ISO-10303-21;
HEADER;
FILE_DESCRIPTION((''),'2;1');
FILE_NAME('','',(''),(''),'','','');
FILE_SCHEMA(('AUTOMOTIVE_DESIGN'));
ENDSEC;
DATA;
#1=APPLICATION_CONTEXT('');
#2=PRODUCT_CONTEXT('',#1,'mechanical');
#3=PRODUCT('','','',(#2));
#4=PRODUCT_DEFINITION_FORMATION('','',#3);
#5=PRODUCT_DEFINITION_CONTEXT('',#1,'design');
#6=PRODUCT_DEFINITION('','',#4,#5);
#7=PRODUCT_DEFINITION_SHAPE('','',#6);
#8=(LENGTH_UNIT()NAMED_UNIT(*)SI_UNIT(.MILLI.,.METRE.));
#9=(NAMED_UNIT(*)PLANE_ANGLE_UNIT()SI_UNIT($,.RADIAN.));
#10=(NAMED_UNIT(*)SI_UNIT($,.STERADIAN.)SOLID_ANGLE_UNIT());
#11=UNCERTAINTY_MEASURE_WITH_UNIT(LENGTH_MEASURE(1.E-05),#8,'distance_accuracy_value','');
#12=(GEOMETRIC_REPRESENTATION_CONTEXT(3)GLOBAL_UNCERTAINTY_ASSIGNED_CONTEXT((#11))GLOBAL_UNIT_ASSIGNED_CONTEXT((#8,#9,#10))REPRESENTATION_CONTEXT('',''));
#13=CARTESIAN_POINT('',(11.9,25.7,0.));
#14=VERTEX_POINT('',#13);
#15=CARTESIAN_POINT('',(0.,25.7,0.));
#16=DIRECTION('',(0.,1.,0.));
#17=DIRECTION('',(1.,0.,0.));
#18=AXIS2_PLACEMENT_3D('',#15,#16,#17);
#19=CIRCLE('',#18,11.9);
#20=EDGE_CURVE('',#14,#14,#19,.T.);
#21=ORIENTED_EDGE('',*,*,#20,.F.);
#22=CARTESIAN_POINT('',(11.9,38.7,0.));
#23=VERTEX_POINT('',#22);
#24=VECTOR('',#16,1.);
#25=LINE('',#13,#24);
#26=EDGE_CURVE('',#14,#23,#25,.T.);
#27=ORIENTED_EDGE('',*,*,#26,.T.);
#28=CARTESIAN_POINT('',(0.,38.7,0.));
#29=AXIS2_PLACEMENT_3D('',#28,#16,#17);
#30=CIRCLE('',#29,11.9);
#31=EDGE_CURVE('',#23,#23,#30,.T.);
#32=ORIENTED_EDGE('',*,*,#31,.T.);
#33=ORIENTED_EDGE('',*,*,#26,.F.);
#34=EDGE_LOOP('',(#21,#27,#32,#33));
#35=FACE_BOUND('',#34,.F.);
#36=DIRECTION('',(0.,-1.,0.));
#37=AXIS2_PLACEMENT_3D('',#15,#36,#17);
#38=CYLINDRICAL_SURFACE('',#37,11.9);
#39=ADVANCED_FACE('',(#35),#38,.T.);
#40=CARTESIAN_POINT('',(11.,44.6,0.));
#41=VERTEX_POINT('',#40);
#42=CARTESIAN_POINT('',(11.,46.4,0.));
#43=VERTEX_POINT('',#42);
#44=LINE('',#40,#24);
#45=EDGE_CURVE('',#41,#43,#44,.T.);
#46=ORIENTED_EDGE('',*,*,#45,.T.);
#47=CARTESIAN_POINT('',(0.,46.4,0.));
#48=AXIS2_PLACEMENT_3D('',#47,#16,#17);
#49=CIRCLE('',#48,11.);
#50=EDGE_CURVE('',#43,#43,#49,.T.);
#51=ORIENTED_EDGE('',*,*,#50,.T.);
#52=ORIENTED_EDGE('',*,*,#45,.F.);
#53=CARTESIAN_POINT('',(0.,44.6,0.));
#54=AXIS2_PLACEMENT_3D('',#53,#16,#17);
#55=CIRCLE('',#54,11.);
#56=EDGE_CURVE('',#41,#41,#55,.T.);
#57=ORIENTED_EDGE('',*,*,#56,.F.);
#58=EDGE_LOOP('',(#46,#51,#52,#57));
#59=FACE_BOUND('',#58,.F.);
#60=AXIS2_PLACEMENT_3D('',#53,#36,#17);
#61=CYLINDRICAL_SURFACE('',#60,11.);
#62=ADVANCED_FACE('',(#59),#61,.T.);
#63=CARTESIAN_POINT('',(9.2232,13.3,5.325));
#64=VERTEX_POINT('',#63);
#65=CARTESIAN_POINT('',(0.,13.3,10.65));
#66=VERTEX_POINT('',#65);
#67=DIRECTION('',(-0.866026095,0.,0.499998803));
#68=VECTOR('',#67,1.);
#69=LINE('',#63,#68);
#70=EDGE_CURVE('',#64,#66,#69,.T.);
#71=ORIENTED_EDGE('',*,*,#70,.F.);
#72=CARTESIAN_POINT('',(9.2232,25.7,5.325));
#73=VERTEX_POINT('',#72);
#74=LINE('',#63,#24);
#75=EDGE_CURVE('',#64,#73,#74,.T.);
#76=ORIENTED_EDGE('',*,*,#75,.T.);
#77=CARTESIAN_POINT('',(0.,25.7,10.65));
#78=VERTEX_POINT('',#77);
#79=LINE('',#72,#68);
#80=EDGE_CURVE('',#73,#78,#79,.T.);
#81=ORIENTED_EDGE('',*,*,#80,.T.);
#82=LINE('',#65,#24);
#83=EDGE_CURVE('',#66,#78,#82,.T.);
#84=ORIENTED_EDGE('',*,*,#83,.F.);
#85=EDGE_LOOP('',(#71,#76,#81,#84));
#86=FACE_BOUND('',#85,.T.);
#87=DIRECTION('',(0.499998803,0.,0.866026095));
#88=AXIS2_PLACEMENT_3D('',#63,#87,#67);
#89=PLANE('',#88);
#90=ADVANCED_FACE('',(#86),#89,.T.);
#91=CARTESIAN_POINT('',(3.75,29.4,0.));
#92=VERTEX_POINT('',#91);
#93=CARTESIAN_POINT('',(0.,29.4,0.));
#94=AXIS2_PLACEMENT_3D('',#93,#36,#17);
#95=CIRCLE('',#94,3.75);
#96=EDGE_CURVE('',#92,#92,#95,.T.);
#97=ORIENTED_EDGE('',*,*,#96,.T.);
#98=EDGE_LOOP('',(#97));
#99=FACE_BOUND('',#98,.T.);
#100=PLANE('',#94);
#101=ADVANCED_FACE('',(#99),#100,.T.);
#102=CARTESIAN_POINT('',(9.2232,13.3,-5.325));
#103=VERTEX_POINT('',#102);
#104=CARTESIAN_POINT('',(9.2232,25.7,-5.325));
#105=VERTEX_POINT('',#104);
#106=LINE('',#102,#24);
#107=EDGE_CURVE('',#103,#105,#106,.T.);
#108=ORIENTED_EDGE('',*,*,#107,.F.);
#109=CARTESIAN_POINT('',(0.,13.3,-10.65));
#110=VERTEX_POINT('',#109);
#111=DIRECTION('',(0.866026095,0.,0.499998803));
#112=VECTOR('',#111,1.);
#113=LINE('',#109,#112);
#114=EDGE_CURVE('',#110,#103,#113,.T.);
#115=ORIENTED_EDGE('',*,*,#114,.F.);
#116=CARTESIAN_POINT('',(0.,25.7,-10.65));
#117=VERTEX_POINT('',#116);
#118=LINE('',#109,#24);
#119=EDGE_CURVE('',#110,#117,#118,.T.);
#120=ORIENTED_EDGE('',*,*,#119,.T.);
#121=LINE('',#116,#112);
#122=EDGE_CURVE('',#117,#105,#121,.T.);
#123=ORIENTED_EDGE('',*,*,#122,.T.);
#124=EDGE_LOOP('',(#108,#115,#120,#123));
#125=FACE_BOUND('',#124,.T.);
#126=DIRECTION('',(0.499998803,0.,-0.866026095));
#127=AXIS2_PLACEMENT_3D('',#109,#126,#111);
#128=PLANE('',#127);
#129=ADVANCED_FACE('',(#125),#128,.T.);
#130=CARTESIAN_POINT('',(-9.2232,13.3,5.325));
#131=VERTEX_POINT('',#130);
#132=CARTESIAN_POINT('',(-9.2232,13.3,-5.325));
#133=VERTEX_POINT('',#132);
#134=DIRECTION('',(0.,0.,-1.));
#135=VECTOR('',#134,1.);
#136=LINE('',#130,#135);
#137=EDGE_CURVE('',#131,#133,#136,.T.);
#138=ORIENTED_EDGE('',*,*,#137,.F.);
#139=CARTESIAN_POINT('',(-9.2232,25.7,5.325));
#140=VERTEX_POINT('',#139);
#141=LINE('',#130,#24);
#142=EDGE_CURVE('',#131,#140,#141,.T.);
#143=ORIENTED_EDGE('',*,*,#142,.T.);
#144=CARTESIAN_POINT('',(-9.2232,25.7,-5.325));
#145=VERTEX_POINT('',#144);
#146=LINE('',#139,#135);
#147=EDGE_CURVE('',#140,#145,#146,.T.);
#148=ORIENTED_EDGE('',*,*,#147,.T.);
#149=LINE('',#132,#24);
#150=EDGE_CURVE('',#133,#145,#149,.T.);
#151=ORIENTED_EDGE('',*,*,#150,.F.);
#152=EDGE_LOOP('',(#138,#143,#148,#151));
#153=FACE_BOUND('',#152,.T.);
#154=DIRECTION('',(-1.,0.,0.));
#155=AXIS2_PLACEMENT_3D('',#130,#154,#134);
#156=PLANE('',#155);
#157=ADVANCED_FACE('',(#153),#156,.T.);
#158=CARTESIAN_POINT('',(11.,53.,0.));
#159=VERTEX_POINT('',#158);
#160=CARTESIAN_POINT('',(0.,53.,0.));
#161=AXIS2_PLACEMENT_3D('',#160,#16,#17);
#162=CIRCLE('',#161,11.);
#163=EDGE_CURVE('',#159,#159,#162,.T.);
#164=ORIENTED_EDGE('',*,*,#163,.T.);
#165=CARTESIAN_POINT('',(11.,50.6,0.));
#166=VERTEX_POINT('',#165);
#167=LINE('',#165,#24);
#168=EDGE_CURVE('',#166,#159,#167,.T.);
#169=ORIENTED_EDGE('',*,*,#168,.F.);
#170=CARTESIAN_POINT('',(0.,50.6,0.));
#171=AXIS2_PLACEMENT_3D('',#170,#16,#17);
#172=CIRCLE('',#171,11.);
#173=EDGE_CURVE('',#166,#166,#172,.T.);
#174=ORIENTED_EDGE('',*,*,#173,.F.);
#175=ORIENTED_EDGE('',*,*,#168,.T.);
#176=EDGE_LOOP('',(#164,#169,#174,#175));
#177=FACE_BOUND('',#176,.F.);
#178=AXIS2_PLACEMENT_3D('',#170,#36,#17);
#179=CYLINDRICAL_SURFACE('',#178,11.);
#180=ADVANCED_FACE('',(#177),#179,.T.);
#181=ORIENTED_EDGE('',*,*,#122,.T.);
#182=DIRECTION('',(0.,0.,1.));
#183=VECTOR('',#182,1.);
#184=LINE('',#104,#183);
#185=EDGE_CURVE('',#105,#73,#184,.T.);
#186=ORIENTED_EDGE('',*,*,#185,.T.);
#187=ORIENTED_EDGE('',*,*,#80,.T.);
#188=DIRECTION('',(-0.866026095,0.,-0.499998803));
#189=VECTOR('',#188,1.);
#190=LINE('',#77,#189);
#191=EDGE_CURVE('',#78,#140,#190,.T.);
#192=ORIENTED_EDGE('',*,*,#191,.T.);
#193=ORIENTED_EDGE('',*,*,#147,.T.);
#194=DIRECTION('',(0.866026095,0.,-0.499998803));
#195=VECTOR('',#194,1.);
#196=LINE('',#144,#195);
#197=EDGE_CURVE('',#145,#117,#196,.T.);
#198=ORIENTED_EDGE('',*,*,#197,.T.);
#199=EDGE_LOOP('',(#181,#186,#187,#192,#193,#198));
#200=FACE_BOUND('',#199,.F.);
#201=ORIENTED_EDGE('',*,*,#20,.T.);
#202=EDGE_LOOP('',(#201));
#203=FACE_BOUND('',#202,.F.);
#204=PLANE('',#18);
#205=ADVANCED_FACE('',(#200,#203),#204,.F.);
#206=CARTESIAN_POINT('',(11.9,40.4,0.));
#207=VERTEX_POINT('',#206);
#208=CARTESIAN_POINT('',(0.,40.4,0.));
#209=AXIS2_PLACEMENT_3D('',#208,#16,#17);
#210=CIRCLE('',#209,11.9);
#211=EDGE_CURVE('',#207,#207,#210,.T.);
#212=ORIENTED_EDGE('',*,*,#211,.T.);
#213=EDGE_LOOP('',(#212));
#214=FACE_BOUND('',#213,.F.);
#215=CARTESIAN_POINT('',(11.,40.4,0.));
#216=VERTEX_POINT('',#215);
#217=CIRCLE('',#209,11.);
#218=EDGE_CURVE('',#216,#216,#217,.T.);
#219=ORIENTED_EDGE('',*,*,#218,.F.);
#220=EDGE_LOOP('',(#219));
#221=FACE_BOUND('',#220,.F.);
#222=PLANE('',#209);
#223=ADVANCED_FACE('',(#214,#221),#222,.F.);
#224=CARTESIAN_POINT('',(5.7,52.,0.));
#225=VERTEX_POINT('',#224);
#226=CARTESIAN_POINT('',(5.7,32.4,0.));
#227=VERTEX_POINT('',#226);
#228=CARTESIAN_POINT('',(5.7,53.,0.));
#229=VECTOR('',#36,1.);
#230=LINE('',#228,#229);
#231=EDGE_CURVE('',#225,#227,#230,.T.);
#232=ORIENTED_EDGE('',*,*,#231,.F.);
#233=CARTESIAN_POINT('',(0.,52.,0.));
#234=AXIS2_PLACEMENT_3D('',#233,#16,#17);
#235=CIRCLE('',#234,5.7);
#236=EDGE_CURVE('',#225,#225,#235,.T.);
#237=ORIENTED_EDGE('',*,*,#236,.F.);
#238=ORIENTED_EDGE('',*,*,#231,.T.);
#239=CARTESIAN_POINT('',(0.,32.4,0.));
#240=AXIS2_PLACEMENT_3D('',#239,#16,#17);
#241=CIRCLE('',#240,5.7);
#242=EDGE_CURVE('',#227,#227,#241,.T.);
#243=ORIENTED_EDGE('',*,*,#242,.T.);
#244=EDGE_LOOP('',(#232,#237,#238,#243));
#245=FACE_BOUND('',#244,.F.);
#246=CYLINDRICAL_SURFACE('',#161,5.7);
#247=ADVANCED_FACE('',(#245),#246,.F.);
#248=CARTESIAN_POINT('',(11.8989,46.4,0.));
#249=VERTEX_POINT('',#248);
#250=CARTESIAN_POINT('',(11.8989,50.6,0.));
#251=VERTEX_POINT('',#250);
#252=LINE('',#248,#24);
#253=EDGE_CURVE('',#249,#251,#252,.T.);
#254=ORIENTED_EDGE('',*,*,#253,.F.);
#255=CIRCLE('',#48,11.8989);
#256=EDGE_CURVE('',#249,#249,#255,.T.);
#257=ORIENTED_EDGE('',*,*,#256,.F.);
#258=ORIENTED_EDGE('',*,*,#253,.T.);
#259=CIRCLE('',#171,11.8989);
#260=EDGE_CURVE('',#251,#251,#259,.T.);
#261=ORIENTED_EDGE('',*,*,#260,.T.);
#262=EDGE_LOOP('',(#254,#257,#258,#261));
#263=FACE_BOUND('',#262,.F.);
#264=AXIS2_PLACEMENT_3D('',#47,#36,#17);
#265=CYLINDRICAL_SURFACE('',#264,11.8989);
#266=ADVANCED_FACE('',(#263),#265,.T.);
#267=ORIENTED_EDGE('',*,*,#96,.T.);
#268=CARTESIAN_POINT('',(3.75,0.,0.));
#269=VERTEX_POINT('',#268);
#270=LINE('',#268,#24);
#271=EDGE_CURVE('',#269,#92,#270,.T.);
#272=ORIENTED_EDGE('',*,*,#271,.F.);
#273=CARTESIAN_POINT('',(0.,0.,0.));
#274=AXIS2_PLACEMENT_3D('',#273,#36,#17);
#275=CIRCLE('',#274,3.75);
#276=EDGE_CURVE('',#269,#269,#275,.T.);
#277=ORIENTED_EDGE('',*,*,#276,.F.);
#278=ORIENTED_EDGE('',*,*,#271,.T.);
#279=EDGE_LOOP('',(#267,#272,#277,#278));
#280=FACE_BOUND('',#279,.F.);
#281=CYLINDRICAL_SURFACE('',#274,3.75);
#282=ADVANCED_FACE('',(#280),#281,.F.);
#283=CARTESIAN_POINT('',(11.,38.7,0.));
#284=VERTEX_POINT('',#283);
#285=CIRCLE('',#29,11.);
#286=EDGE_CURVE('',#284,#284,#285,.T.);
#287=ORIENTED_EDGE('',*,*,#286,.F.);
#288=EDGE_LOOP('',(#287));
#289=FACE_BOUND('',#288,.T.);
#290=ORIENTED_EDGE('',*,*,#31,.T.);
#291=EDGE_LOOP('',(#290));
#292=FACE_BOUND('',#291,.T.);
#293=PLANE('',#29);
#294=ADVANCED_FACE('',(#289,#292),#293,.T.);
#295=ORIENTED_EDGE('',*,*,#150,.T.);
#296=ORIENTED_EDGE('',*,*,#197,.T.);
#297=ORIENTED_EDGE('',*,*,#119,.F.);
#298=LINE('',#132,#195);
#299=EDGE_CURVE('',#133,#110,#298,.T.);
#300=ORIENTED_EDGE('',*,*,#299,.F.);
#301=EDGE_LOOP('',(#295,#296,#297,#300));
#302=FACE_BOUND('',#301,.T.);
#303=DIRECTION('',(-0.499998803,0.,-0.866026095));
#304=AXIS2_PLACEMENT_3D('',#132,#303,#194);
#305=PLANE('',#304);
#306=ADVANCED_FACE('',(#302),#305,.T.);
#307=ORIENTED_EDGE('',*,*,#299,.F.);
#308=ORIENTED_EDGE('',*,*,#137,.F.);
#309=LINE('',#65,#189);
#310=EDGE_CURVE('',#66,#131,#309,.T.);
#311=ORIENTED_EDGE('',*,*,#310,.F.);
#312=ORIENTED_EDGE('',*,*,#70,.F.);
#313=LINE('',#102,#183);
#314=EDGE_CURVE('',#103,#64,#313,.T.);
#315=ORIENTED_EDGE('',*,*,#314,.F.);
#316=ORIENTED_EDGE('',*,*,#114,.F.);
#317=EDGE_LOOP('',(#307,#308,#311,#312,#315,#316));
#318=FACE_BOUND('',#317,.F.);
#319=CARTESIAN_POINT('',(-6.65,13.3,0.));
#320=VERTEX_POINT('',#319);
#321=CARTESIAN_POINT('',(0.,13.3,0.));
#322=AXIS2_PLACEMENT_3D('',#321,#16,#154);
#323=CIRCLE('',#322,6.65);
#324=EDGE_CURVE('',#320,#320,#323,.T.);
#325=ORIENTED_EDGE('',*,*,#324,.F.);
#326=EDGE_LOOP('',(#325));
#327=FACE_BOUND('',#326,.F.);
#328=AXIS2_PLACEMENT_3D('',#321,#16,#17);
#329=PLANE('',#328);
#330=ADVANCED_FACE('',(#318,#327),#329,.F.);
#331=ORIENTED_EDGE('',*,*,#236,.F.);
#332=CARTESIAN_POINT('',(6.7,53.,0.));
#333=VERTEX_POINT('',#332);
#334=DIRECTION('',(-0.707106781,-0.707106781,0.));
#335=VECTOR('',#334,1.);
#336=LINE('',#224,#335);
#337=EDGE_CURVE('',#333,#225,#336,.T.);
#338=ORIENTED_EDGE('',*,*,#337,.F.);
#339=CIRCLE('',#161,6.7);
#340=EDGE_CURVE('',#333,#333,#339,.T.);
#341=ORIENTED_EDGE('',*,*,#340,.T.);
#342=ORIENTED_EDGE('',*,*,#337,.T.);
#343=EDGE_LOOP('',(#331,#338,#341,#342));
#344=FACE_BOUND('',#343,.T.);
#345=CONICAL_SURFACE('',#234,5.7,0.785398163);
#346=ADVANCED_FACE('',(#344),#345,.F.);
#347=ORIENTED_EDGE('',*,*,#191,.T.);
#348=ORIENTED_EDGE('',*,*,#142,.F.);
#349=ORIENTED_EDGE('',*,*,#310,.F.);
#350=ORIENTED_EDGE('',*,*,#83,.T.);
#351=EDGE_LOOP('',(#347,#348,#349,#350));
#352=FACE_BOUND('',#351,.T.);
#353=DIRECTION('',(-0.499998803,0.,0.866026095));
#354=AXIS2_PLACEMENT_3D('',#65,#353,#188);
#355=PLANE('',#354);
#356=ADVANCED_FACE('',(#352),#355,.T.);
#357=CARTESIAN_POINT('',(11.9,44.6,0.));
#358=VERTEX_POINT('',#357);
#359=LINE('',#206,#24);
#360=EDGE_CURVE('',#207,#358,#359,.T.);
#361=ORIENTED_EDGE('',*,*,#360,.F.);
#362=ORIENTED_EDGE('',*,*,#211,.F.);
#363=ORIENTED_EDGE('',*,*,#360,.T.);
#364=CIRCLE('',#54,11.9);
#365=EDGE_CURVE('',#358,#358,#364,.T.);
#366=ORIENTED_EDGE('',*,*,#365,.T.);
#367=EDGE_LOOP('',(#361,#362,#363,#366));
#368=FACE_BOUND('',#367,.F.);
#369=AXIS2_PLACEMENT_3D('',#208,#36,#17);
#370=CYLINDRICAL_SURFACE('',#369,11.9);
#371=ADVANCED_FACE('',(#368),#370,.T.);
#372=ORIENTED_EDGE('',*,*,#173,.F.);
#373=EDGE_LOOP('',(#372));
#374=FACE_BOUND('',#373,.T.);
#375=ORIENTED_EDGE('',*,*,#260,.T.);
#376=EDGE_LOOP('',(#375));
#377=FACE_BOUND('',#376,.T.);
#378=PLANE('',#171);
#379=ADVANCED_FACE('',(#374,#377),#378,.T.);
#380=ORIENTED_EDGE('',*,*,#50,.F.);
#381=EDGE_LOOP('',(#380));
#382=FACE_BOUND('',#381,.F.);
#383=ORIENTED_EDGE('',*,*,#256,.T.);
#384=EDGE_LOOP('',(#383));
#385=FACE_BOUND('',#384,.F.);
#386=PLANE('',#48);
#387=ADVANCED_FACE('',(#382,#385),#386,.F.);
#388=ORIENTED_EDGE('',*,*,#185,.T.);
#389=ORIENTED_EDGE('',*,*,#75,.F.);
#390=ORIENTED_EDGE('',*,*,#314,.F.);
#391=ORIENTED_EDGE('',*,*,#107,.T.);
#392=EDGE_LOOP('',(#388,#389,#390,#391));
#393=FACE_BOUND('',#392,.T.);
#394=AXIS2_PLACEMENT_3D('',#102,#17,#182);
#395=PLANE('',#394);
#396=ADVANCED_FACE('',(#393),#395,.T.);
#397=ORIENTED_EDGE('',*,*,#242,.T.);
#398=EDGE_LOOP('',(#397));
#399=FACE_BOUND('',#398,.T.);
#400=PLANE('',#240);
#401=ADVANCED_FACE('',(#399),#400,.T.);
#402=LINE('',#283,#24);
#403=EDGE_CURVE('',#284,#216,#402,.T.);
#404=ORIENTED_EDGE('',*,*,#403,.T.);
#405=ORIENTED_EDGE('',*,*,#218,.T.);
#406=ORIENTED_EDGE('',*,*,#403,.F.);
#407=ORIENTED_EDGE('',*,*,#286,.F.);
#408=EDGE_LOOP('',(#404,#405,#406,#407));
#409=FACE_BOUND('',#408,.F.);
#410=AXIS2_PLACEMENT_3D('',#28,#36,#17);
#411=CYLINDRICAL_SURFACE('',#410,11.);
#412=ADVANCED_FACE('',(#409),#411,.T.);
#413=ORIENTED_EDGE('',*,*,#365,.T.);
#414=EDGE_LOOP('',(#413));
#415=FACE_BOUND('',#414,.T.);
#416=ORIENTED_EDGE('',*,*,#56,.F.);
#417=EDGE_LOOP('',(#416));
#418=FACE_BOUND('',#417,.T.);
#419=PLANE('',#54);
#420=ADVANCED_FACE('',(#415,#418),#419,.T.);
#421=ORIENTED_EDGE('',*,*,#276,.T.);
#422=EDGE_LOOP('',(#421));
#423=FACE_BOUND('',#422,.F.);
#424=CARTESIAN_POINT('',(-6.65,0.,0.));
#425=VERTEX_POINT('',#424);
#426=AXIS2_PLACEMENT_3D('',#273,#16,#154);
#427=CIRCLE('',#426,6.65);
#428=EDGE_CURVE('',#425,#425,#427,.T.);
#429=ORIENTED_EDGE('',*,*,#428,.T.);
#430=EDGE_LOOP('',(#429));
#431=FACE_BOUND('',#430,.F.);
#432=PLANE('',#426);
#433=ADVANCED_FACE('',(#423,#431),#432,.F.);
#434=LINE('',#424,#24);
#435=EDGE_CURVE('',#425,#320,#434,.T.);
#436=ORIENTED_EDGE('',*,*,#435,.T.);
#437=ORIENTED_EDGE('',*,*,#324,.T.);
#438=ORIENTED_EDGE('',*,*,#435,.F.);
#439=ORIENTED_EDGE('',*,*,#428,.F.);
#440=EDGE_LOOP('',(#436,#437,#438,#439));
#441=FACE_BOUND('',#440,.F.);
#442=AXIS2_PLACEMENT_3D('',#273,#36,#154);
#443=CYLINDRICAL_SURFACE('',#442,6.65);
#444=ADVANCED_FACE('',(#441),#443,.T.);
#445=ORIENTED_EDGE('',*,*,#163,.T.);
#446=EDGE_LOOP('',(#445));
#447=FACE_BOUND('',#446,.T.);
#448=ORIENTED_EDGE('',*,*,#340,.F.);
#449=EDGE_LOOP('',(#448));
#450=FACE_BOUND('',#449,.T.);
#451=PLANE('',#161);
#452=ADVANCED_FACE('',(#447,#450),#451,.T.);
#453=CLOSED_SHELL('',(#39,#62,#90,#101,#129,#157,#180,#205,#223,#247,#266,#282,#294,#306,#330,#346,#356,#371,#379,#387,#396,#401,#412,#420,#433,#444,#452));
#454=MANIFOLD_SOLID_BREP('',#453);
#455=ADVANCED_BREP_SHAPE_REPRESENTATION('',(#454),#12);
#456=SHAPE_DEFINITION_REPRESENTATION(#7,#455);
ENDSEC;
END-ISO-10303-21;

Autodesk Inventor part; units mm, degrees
ref_plane "YZ Plane" through (0, 0, 0) normal (1, 0, 0) x (0, 1, 0)
ref_plane "XZ Plane" through (0, 0, 0) normal (0, 1, 0) x (-1, 0, 0)
ref_plane "XY Plane" through (0, 0, 0) normal (0, 0, 1) x (1, 0, 0)
sketch "Sketch1" plane through (0, 0, 0) normal (0, 1, 0) x (-1, 0, 0)
  circle A0 centre (0, 0) radius 6.65
  dimension "d0" = 13.3
extrude "Extrusion1" add sketch "Sketch1" along normal blind 13.3
sketch "Sketch2" plane through (0, 13.3, 0) normal (0, 1, 0) x (1, 0, 0)
  line L0 (0, 10.65) -> (9.2232, 5.325)
  line L1 (9.2232, 5.325) -> (9.2232, -5.325)
  line L2 (9.2232, -5.325) -> (0, -10.65)
  line L3 (0, -10.65) -> (-9.2232, -5.325)
  line L4 (-9.2232, -5.325) -> (-9.2232, 5.325)
  line L5 (-9.2232, 5.325) -> (0, 10.65)
  point P0 (0, 0)
  point P1 (0, 0)
extrude "Extrusion2" add sketch "Sketch2" along normal blind 12.4
sketch "Sketch3" plane through (0, 25.7, 0) normal (0, 1, 0) x (1, 0, 0)
  circle A0 centre (0, 0) radius 11.9
  dimension "d6" = 23.8
extrude "Extrusion3" add sketch "Sketch3" along normal blind 13
sketch "Sketch4" plane through (0, 38.7, 0) normal (0, 1, 0) x (1, 0, 0)
  circle A0 centre (0, 0) radius 11
  dimension "d9" = 22
extrude "Extrusion4" add sketch "Sketch4" along normal blind 1.7
sketch "Sketch5" plane through (0, 40.4, 0) normal (0, 1, 0) x (1, 0, 0)
  circle A0 centre (0, 0) radius 11.9
extrude "Extrusion5" add sketch "Sketch5" along normal blind 4.2
sketch "Sketch6" plane through (0, 44.6, 0) normal (0, 1, 0) x (1, 0, 0)
  circle A0 centre (0, 0) radius 11
extrude "Extrusion6" add sketch "Sketch6" along normal blind 1.8
sketch "Sketch7" plane through (0, 46.4, 0) normal (0, 1, 0) x (1, 0, 0)
  circle A0 centre (0, 0) radius 11.8989
extrude "Extrusion7" add sketch "Sketch7" along normal blind 4.2
sketch "Sketch8" plane through (0, 50.6, 0) normal (0, 1, 0) x (1, 0, 0)
  circle A0 centre (0, 0) radius 11
extrude "Extrusion8" add sketch "Sketch8" along normal blind 2.4
thread "Thread1"
sketch "Sketch9" plane through (0, 53, 0) normal (0, 1, 0) x (1, 0, 0)
  circle A0 centre (0, 0) radius 5.7
  dimension "d22" = 11.4
extrude "Extrusion9" cut sketch "Sketch9" against normal blind 20.6
chamfer "Chamfer1" distance 1 angle 45 1 edges at (-5.7, 53, 0)
sketch "Sketch10" plane through (0, 0, 0) normal (0, -1, 0) x (1, 0, 0)
  circle A0 centre (0, 0) radius 3.75
  dimension "d28" = 7.5
extrude "Extrusion10" cut sketch "Sketch10" against normal blind 29.4
properties part number "AcopleHembra"
